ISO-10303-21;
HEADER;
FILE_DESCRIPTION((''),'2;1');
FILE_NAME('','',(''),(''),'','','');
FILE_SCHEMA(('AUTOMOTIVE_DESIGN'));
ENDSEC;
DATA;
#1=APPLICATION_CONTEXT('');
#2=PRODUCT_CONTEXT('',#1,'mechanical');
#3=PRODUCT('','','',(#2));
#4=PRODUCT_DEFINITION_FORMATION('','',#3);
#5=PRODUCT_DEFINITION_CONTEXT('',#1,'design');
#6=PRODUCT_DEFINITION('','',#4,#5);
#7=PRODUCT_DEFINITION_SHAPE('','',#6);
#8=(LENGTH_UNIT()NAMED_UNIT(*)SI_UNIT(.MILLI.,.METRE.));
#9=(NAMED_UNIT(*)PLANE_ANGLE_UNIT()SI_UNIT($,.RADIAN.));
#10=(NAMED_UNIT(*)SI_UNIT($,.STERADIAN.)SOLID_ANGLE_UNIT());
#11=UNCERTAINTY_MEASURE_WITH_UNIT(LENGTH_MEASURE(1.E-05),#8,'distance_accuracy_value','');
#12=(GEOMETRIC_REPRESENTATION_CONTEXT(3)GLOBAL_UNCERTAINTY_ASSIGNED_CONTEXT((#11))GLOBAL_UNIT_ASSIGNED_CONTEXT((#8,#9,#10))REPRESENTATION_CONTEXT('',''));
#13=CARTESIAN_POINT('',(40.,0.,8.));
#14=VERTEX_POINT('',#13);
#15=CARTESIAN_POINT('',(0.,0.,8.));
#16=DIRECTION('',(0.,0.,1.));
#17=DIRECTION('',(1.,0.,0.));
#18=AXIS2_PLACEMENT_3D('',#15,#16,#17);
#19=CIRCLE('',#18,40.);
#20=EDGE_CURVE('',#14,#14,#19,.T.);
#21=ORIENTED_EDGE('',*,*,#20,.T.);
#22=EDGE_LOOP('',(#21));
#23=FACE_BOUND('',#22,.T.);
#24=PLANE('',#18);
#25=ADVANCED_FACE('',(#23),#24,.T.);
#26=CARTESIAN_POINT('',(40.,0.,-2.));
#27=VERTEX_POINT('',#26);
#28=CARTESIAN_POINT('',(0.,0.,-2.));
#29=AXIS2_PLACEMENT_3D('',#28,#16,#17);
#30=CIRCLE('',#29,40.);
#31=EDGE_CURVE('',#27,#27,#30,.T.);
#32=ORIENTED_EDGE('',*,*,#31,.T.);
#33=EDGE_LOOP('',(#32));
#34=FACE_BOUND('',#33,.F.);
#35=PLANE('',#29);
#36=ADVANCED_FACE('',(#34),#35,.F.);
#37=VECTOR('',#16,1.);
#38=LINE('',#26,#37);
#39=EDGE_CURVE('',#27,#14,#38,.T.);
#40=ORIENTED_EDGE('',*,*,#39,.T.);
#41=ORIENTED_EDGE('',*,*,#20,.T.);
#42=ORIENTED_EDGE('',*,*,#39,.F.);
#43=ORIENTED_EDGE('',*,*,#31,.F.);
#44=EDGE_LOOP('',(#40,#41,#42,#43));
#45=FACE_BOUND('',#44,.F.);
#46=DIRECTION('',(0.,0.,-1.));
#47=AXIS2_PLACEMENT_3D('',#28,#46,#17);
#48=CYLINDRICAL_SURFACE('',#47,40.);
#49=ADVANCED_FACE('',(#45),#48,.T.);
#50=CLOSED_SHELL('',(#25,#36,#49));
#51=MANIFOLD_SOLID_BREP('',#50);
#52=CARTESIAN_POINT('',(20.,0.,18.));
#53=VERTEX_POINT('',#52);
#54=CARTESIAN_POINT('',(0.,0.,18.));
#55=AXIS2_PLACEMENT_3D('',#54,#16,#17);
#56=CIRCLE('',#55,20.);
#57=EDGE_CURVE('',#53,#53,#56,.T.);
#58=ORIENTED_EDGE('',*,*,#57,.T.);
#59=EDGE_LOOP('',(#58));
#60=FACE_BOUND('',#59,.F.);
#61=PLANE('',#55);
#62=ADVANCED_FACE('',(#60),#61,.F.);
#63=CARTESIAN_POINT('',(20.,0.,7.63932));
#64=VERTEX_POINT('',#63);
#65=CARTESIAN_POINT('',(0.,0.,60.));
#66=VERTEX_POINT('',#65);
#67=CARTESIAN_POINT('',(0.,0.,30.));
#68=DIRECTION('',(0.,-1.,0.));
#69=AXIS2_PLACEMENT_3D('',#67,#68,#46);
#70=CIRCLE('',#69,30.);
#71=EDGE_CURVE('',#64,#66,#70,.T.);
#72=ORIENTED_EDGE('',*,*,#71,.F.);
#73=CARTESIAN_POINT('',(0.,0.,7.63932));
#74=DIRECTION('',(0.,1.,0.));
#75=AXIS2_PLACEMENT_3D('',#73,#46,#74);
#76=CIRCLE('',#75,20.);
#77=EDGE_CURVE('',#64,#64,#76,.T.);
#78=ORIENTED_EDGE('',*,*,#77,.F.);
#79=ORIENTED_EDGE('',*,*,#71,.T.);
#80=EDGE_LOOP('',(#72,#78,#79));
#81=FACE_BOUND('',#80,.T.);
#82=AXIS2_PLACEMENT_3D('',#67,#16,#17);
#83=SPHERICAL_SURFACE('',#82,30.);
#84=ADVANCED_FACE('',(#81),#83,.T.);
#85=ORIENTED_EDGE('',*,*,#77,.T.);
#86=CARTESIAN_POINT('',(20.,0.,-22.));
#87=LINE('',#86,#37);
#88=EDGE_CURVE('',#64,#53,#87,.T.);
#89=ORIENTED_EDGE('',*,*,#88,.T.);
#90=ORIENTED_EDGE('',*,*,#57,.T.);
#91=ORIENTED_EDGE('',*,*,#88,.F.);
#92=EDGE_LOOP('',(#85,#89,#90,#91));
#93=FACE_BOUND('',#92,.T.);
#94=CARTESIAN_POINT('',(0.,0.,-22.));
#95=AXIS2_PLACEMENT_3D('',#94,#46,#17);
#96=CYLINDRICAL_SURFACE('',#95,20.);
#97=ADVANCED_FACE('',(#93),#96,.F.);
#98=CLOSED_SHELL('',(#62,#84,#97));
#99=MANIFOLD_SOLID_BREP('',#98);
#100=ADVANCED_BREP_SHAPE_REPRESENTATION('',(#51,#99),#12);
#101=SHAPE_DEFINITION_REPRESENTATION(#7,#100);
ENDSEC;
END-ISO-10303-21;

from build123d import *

# Parameters (mm, degrees)
CYLINDER_R        = 20
CYLINDER_DEPTH    = 40
CYLINDER001_R     = 40
CYLINDER001_DEPTH = 10


with BuildPart() as cylinder:
    # Cylinder → Cylinder (new body)
    with BuildSketch(Plane.XY.offset(-22)):
        Circle(CYLINDER_R)
    extrude(amount=CYLINDER_DEPTH)


with BuildPart() as cut:
    # Sphere → Sphere (revolve)
    with BuildSketch(Plane(origin=(0, 0, 30), x_dir=(1, 0, 0), z_dir=(0, -1, 0))):
        with BuildLine():
            ThreePointArc((0, -30), (30, 0), (0, 30))
            Line((0, 30), (0, -30))
        make_face()
    revolve(axis=Axis((0, 0, 30), (0, 0, 1)))

    # Cut: cut Cylinder
    add(cylinder.part, mode=Mode.SUBTRACT)


with BuildPart() as cylinder001:
    # Cylinder001 → Cylinder001 (new body)
    with BuildSketch(Plane.XY.offset(-2)):
        Circle(CYLINDER001_R)
    extrude(amount=CYLINDER001_DEPTH)


solid = Compound([cut.part, cylinder001.part])
